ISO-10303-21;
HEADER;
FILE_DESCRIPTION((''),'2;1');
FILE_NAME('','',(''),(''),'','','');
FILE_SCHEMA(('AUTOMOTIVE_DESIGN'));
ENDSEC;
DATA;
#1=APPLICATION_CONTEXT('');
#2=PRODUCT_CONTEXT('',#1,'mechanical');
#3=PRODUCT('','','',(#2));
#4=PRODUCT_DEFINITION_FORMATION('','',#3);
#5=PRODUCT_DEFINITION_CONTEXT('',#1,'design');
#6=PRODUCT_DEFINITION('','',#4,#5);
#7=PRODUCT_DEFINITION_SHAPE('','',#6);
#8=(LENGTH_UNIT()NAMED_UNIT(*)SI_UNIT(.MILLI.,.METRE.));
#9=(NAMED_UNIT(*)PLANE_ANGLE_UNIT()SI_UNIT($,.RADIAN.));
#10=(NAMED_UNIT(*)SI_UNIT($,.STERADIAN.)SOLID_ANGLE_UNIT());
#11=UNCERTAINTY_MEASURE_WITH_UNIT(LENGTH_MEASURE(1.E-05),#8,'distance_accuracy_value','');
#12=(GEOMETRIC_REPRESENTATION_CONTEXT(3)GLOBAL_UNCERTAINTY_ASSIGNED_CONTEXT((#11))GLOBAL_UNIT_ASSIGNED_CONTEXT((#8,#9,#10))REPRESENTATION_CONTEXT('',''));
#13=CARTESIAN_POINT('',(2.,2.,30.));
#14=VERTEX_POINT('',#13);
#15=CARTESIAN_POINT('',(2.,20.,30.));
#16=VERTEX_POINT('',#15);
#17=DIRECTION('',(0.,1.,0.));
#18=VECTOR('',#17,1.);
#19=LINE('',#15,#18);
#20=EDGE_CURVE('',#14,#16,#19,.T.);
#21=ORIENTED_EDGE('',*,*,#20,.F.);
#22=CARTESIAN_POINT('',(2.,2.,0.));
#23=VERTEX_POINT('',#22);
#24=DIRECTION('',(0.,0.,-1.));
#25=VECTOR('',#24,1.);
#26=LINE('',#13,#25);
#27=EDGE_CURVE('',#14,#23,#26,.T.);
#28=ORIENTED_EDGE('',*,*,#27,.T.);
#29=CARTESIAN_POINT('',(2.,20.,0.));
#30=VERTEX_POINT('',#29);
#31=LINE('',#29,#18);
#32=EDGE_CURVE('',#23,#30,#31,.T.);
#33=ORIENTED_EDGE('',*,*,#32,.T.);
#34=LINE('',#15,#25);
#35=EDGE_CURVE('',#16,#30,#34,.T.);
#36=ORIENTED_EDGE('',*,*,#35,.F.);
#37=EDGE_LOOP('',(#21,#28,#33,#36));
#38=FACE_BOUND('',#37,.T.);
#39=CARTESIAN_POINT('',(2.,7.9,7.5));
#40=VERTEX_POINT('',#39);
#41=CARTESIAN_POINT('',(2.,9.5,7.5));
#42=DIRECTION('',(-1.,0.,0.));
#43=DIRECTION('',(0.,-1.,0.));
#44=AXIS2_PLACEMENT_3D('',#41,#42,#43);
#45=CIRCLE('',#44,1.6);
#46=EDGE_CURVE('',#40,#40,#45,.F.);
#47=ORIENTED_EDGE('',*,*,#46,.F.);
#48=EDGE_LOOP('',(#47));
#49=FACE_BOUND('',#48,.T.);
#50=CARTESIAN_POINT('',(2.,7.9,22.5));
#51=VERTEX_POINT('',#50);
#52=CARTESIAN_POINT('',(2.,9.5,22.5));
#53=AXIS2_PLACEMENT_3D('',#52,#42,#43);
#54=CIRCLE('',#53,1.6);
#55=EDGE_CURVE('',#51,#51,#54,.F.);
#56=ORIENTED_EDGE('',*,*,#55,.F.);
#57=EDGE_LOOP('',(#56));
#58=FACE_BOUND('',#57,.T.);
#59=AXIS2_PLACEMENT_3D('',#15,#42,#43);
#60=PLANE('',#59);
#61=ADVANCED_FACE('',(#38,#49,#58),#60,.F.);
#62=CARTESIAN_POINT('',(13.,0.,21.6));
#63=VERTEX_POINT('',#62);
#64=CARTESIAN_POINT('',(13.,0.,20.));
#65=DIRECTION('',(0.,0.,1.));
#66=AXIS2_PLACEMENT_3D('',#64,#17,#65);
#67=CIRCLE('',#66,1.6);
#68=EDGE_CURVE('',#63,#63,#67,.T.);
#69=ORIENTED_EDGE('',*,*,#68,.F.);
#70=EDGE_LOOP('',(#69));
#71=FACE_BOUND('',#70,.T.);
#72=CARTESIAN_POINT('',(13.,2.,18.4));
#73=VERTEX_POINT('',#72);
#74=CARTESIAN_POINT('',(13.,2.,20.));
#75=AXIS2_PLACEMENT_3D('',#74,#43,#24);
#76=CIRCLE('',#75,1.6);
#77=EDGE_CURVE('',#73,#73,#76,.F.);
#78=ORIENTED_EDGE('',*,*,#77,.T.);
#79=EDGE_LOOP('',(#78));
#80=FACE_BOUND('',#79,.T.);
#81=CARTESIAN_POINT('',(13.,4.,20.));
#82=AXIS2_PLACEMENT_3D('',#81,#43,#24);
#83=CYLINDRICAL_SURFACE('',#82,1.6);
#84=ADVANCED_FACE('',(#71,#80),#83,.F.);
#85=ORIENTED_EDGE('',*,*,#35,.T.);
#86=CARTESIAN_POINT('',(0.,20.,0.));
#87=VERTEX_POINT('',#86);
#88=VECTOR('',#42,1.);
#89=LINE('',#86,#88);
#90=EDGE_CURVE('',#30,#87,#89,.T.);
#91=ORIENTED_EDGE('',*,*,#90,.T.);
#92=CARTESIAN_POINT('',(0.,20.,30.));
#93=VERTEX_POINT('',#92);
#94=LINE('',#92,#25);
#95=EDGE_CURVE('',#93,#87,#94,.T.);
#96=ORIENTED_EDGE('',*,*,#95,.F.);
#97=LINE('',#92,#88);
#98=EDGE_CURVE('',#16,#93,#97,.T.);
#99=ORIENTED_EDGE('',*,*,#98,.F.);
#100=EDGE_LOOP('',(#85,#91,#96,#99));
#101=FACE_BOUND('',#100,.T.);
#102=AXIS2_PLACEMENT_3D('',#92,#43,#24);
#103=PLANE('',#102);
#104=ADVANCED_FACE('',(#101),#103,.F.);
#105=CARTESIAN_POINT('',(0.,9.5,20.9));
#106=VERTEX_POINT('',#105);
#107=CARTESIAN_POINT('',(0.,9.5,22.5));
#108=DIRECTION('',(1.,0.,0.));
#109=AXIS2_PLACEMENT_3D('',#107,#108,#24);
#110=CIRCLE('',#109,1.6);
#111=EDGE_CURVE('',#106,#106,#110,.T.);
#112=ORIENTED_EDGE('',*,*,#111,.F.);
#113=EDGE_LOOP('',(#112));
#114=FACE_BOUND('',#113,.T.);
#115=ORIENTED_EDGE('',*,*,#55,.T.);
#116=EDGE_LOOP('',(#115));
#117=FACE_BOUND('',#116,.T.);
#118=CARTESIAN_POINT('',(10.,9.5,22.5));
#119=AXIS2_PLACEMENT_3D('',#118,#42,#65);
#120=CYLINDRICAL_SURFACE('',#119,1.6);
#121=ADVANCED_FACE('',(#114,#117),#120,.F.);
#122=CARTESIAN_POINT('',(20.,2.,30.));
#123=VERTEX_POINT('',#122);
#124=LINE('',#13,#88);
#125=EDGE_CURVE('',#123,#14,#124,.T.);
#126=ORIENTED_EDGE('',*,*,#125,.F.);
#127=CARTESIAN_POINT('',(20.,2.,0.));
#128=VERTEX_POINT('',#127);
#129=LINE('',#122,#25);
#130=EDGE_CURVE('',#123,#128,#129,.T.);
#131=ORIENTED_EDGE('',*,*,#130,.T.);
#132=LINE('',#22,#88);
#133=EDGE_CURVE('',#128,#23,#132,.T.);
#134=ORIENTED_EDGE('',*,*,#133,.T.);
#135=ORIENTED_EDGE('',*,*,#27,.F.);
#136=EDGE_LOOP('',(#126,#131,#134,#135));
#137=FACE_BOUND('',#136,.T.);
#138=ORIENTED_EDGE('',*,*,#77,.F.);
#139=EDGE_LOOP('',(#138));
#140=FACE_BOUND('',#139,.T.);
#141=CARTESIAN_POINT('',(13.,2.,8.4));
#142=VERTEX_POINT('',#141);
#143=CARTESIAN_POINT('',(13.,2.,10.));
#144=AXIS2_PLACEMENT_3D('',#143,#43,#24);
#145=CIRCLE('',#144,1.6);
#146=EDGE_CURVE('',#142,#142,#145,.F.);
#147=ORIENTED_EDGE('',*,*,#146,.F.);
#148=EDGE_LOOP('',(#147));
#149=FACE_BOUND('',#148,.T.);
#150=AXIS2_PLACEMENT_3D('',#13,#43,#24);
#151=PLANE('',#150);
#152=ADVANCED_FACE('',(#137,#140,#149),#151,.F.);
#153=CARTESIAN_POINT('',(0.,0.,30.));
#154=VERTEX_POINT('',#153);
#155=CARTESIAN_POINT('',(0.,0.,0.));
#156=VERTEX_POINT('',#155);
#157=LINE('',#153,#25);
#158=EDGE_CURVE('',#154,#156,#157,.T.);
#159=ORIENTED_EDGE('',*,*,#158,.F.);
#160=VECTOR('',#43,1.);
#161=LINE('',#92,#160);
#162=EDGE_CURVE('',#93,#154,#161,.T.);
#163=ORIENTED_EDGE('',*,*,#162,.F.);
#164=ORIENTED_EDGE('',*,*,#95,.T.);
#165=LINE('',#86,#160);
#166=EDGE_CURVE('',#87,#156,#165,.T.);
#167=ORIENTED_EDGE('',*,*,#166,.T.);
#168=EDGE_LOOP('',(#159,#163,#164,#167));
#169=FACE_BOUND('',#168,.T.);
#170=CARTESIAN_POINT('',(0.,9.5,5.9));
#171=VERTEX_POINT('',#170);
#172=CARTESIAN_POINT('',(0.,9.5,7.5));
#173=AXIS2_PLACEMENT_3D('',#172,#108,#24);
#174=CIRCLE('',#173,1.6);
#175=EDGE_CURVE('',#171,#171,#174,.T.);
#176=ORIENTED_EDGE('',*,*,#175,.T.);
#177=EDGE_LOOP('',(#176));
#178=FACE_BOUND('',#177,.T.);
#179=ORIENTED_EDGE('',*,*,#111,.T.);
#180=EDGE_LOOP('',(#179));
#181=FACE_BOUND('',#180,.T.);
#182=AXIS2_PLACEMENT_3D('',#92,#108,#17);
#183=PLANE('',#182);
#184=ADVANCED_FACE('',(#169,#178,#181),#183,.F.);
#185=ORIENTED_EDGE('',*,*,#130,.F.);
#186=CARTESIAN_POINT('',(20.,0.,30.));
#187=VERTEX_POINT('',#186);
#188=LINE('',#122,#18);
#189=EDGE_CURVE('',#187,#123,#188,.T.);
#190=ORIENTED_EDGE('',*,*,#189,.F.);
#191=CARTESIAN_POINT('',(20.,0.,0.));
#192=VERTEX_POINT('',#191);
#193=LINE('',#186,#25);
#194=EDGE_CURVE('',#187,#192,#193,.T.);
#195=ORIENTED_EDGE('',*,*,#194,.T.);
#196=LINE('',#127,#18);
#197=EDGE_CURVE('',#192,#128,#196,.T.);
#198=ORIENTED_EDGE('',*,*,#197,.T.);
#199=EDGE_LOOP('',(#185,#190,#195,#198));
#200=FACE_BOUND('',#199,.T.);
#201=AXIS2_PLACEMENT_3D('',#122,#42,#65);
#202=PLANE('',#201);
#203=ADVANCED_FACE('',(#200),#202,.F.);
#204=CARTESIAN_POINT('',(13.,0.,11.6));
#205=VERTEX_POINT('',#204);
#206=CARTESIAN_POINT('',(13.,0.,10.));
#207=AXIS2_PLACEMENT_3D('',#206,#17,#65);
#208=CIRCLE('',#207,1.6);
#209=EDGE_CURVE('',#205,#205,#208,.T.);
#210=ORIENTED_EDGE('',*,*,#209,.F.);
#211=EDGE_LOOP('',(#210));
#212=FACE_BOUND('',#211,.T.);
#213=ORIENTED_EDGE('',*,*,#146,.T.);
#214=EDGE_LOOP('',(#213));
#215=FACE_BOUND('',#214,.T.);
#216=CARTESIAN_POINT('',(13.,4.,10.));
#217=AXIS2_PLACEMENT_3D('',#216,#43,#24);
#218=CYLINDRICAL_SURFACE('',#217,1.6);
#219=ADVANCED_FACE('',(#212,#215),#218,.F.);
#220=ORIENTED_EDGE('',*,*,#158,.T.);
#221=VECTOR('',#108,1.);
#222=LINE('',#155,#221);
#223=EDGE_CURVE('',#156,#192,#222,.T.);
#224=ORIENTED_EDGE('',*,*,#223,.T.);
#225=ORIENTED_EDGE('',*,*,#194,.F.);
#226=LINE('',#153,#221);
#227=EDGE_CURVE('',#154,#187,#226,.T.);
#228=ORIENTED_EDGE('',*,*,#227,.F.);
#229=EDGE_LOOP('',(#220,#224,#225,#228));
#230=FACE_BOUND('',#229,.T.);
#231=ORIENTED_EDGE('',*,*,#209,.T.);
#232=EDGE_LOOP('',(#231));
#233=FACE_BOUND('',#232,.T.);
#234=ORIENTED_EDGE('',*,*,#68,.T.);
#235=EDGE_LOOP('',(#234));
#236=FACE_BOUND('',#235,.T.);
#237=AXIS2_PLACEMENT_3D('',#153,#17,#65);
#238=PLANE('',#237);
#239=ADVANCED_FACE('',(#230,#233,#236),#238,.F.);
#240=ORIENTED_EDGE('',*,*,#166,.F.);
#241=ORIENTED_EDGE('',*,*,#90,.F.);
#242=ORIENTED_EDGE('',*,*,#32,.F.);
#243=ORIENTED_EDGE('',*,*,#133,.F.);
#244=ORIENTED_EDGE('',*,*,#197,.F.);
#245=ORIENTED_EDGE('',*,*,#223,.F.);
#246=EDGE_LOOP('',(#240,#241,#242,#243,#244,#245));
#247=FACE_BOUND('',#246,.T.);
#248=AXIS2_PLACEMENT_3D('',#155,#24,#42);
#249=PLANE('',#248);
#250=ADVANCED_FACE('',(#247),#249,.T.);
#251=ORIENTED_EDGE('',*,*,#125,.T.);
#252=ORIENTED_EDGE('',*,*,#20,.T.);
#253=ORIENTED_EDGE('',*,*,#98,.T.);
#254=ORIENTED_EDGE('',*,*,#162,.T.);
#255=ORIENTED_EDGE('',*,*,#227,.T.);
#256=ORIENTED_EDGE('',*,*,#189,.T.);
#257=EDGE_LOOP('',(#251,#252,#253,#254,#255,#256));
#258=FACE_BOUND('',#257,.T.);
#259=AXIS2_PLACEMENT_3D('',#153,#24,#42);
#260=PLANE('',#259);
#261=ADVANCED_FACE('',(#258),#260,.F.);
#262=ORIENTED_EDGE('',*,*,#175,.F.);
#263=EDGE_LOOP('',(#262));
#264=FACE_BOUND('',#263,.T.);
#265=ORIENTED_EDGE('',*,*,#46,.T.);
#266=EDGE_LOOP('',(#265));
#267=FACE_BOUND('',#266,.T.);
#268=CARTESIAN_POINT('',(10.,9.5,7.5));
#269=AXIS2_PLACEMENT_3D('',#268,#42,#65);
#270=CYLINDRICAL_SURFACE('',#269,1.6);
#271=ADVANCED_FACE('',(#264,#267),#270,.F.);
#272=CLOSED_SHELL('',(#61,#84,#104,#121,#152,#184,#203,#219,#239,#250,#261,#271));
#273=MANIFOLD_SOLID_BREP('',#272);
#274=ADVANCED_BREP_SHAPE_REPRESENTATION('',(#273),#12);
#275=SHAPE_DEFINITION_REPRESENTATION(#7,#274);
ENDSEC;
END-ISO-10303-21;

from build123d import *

# Parameters (mm, degrees)
BOSS_EXTRUDE1_DEPTH = 30
SKETCH2_R           = 1.6
CUT_EXTRUDE1_DEPTH  = 10
SKETCH3_R           = 1.6
CUT_EXTRUDE2_DEPTH  = 4


with BuildPart() as part:
    # Sketch1 → Boss-Extrude1 (new body)
    with BuildSketch(Plane.XY):
        Polygon((0, 20), (0, 0), (20, 0), (20, 2), (2, 2), (2, 20), align=None)
    extrude(amount=BOSS_EXTRUDE1_DEPTH)

    # Sketch2 → Cut-Extrude1 (cut)
    with BuildSketch(Plane(origin=(0, 0, 0), x_dir=(0, 0, -1), z_dir=(1, 0, 0))):
        with Locations((-22.5, 9.5)):
            Circle(SKETCH2_R)
        with Locations((-7.5, 9.5)):
            Circle(SKETCH2_R)
    extrude(amount=CUT_EXTRUDE1_DEPTH, mode=Mode.SUBTRACT)

    # Sketch3 → Cut-Extrude2 (cut)
    with BuildSketch(Plane(origin=(0, 0, 0), x_dir=(1, 0, 0), z_dir=(0, 1, 0))):
        with Locations((13, -10)):
            Circle(SKETCH3_R)
        with Locations((13, -20)):
            Circle(SKETCH3_R)
    extrude(amount=CUT_EXTRUDE2_DEPTH, mode=Mode.SUBTRACT)


solid = part.part
